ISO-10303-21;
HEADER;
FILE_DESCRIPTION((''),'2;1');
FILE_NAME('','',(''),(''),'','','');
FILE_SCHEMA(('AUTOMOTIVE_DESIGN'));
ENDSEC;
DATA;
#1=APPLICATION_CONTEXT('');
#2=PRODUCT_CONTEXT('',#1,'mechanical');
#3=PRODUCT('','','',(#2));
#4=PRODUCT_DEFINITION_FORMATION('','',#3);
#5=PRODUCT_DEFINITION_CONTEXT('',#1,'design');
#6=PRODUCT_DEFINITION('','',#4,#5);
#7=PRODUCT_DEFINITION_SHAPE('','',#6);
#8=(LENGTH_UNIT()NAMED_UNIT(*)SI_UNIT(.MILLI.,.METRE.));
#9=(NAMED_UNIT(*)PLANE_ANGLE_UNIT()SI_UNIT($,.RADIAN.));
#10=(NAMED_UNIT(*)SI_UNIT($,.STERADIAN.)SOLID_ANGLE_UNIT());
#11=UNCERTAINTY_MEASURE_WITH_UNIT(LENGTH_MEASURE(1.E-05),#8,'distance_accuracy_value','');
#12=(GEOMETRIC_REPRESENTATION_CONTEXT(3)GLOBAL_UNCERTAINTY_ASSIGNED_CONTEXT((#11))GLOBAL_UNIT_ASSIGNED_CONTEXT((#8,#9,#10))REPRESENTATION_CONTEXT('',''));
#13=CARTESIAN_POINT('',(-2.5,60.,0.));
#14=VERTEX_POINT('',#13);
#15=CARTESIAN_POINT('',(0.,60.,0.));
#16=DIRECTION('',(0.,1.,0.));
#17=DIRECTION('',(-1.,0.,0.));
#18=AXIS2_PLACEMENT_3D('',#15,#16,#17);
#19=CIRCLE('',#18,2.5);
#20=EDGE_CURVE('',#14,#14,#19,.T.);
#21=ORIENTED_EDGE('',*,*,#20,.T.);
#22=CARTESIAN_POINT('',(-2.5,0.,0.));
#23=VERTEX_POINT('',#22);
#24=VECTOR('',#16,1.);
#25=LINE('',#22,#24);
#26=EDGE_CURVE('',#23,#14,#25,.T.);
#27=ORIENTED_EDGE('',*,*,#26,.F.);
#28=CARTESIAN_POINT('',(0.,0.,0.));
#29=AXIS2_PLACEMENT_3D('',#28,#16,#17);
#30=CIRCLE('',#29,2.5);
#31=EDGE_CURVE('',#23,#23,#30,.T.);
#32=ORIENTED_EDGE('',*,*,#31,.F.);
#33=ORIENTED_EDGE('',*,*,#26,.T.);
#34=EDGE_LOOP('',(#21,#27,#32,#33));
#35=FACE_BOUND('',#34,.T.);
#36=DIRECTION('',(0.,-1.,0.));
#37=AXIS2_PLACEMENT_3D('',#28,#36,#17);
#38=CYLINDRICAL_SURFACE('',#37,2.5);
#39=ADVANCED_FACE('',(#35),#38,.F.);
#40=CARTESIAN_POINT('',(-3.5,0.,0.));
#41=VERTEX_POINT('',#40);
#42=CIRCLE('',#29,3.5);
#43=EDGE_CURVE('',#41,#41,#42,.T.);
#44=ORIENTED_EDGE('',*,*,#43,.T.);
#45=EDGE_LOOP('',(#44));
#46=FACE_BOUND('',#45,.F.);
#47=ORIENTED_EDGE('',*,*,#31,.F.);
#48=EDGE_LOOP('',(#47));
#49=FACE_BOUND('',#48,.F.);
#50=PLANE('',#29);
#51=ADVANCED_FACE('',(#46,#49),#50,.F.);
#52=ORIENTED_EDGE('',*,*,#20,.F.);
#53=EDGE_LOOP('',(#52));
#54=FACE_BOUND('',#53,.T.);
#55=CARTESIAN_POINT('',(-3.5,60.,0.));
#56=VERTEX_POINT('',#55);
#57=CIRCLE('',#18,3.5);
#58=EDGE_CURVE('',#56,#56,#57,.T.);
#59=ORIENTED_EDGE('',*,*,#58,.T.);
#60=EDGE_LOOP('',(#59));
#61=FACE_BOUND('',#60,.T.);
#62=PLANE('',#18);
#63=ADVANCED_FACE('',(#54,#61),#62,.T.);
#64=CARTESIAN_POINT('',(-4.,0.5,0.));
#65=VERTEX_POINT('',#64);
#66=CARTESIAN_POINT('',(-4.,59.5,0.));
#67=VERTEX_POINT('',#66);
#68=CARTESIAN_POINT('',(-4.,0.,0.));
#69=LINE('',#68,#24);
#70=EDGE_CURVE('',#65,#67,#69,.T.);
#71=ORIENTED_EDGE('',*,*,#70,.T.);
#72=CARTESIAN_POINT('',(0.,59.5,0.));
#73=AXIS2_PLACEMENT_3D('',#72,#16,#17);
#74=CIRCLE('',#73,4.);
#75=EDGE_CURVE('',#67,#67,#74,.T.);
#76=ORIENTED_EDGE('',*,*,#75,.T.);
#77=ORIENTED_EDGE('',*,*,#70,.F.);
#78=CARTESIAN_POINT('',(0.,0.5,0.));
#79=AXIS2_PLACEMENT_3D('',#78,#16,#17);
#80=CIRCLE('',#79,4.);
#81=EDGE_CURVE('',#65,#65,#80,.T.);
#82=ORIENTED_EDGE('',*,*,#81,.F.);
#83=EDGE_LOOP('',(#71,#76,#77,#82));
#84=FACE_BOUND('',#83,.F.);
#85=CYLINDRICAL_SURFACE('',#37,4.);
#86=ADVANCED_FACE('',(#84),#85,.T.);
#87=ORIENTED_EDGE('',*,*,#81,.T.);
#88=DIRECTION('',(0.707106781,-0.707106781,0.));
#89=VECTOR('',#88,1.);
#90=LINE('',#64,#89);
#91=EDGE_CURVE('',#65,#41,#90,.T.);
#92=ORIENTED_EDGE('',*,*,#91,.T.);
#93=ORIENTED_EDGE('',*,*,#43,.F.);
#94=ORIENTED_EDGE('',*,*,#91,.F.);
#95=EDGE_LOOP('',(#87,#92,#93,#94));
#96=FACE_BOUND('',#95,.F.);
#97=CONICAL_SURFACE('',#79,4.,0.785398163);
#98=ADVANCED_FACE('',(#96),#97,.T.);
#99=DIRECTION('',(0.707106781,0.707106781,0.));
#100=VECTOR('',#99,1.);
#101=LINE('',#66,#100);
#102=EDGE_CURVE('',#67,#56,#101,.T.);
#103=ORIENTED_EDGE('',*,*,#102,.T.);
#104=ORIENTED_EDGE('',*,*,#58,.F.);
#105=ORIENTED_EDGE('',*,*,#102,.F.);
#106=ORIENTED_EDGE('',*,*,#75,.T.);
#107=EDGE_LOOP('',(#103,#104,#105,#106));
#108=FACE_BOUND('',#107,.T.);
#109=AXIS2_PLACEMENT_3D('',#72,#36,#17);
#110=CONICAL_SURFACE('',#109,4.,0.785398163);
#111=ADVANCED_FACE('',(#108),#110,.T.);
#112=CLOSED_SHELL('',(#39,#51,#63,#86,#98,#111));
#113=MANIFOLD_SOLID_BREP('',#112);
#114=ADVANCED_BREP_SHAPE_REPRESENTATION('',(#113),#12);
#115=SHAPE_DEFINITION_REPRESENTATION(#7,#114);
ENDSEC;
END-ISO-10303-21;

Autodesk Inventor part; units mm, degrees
ref_plane "YZ Plane" through (0, 0, 0) normal (1, 0, 0) x (0, 1, 0)
ref_plane "XZ Plane" through (0, 0, 0) normal (0, 1, 0) x (-1, 0, 0)
ref_plane "XY Plane" through (0, 0, 0) normal (0, 0, 1) x (1, 0, 0)
sketch "Sketch1" plane through (0, 0, 0) normal (0, 1, 0) x (-1, 0, 0)
  circle A0 centre (0, 0) radius 4
  circle A1 centre (0, 0) radius 2.5
  dimension "d0" = 8
  dimension "d1" = 5
extrude "Extrusion1" add sketch "Sketch1" along normal blind 60
chamfer "Chamfer1" distance 0.5 angle 45 2 edges at (4, 60, 0) (4, 0, 0)
properties part number "pin_8_60"
